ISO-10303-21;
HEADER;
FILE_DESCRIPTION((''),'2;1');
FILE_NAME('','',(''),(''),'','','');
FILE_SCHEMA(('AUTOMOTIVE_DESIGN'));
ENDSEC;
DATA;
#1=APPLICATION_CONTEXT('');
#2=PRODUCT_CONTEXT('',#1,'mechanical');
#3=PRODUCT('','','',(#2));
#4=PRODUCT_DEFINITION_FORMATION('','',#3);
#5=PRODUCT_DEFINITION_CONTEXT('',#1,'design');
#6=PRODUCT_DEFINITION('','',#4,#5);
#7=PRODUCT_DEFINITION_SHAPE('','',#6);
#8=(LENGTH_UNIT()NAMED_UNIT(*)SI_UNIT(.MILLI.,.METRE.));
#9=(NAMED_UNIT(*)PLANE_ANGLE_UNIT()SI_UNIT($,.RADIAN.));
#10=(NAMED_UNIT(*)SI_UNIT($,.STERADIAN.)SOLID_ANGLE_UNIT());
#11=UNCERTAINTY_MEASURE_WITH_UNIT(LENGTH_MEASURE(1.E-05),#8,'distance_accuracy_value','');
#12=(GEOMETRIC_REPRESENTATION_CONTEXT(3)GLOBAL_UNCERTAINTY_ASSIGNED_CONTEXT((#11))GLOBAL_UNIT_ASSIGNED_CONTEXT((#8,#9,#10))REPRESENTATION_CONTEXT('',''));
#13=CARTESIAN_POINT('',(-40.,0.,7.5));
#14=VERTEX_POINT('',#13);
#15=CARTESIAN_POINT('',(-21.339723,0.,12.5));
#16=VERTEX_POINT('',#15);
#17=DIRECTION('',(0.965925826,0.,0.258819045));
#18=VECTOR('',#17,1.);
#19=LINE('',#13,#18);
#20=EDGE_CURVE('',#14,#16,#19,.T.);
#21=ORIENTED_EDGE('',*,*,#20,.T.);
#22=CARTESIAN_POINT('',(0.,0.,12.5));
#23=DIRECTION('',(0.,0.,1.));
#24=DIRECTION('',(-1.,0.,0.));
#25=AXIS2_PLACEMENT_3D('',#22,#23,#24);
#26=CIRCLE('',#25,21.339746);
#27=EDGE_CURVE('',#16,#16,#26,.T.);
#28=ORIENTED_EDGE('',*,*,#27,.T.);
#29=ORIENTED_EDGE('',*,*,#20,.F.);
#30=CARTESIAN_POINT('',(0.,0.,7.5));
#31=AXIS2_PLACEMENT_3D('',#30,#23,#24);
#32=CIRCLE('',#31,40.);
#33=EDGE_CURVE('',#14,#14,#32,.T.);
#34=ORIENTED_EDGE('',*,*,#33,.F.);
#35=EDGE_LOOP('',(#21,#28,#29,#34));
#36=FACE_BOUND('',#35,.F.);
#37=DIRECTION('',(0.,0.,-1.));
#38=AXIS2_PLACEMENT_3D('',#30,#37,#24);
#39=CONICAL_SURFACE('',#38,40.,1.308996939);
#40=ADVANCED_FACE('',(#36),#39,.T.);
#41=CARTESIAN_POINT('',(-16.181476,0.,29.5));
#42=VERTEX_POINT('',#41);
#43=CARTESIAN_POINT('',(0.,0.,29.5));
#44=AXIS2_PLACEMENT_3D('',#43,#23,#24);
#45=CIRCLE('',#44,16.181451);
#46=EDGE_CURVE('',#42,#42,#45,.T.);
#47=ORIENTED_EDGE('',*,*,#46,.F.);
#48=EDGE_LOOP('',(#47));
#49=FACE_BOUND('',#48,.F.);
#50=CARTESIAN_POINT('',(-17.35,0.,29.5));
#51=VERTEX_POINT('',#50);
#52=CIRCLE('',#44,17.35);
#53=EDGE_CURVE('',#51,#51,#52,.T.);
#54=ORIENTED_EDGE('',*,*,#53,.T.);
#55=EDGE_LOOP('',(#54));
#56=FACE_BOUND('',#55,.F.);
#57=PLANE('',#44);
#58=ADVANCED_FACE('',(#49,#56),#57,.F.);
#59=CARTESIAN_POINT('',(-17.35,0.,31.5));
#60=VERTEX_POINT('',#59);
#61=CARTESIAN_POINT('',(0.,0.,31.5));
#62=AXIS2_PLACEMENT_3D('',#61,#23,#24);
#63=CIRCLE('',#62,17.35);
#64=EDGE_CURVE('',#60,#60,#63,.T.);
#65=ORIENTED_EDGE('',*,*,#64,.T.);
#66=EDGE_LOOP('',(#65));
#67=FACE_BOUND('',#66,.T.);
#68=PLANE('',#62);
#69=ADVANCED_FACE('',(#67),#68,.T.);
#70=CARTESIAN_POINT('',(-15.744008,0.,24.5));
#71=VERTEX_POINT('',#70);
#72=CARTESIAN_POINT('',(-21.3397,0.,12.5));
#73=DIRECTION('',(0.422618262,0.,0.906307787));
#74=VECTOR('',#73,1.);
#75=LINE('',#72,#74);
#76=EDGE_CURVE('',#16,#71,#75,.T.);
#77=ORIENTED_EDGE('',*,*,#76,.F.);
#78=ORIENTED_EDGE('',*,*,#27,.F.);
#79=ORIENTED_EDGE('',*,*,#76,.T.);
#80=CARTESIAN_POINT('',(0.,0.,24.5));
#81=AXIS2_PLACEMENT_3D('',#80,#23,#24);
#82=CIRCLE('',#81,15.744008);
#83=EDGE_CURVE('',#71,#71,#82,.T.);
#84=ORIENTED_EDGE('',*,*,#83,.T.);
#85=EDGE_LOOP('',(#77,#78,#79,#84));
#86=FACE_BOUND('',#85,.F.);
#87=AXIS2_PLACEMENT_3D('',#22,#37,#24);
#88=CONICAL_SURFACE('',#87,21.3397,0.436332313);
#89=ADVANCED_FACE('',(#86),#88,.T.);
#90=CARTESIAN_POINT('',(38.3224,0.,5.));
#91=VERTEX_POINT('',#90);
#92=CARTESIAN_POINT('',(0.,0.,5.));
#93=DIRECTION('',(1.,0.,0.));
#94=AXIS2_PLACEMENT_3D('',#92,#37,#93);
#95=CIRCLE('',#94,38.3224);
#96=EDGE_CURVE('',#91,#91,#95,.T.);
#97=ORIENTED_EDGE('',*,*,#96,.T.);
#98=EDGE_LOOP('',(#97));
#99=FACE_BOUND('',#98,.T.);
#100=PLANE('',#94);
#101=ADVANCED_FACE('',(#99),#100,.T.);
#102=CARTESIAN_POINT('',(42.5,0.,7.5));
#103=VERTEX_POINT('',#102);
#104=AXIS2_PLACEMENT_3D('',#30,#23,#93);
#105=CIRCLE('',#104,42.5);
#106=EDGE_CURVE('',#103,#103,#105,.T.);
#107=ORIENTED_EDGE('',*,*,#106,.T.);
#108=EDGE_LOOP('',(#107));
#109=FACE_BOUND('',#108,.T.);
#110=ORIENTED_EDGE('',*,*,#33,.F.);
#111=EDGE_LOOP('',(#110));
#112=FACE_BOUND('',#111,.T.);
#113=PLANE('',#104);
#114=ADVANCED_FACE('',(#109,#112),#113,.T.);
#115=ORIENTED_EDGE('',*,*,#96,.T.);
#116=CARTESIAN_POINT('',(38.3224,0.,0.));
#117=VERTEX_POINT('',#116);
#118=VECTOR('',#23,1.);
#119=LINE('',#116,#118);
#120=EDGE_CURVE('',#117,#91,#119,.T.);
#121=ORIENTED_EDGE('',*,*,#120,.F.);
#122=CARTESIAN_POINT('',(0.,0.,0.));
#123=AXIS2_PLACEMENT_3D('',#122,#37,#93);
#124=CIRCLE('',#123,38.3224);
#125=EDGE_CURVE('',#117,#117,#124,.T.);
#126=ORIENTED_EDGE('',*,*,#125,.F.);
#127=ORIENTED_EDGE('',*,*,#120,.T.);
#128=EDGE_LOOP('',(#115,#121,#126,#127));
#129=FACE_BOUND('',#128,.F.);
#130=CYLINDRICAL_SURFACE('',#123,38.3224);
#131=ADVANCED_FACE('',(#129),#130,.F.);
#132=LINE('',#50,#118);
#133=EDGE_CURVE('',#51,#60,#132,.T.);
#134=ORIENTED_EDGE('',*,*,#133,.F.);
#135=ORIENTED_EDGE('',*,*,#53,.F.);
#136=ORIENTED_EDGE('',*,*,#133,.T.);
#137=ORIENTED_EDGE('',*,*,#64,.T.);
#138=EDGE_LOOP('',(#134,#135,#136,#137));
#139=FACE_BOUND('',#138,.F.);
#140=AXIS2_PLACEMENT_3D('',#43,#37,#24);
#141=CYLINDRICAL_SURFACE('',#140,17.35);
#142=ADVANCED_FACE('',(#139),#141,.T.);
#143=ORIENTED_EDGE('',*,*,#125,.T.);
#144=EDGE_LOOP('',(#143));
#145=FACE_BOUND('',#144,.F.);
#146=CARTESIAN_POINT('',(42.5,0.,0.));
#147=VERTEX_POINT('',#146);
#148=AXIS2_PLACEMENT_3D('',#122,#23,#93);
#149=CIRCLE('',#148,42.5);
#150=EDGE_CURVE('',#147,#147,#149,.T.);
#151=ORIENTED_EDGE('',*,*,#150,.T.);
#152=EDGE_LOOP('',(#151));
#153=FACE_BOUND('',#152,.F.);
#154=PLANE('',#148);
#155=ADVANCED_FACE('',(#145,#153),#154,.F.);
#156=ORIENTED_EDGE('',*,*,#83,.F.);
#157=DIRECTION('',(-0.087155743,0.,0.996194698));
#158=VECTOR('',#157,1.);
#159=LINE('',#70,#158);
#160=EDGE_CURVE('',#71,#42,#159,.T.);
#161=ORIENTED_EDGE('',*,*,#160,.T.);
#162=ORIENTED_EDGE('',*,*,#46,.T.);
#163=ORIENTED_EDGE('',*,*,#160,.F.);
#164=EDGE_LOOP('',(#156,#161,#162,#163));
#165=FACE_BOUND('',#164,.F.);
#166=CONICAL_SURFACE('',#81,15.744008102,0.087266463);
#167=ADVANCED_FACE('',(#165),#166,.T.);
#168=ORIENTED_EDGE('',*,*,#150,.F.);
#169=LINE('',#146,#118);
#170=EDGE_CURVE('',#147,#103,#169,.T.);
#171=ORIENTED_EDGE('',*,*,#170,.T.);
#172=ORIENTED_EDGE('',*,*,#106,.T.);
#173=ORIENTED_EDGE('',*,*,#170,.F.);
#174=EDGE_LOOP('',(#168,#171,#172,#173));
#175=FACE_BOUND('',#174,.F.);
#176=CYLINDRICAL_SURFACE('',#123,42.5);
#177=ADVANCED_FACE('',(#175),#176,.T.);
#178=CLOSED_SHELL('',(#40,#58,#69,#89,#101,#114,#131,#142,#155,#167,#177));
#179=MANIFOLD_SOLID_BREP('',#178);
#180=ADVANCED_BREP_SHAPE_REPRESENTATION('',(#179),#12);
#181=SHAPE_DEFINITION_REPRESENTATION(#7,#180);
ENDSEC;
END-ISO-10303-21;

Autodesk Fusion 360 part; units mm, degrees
sketch "Sketch1" plane through (0, 0, 0) normal (0, 0, 1) x (1, 0, 0)
  circle A0 centre (0, 0) radius 42.5
  dimension "d1" = 85
extrude "Extrude1" add sketch "Sketch1" along normal blind 7.5 makes body 1
sketch "Sketch2" plane through (0, 0, 7.5) normal (0, 0, 1) x (-1, 0, 0)
  circle A0 centre (0, 0) radius 42.5
  circle A1 centre (0, 0) radius 40
extrude "Extrude2" add sketch "Sketch2" along normal blind 5 draft -75 contours A1 bodies 1
sketch "Sketch3" plane through (0, 0, 12.5) normal (0, 0, 1) x (-1, 0, 0)
  circle A0 centre (0, 0) radius 21.3397
extrude "Extrude3" add sketch "Sketch3" along normal blind 12 draft -25 bodies 1
extrude "Extrude4" add 1 faces at (-1.9173, -4.8852, 24.5) along direction (0, 0, 1) blind 5 draft 5 on bodies 1 bodies 1
sketch "Sketch4" plane through (0, 0, 0) normal (0, 1, 0) x (1, 0, 0)
sketch "Sketch5" plane through (0, 0, 29.5) normal (0, 0, 1) x (-1, 0, 0)
  circle A0 centre (0, 0) radius 16.1815
  circle A1 centre (0, 0) radius 17.35
  dimension "d10" = 34.7
extrude "Extrude5" add sketch "Sketch5" along normal blind 2 separate body makes body 2
extrude "Extrude6" add 1 faces at (1.2002, -5.2586, 29.5) along direction (0, 0, 1) blind 2 on bodies 1 bodies 1 2
sketch "Sketch6" plane through (0, 0, 0) normal (0, 0, -1) x (1, 0, 0)
  circle A0 centre (0, 0) radius 42.5
  circle A1 centre (0, 0) radius 38.3224
extrude "Extrude7" cut sketch "Sketch6" against normal blind 5 contours A1 bodies 1
